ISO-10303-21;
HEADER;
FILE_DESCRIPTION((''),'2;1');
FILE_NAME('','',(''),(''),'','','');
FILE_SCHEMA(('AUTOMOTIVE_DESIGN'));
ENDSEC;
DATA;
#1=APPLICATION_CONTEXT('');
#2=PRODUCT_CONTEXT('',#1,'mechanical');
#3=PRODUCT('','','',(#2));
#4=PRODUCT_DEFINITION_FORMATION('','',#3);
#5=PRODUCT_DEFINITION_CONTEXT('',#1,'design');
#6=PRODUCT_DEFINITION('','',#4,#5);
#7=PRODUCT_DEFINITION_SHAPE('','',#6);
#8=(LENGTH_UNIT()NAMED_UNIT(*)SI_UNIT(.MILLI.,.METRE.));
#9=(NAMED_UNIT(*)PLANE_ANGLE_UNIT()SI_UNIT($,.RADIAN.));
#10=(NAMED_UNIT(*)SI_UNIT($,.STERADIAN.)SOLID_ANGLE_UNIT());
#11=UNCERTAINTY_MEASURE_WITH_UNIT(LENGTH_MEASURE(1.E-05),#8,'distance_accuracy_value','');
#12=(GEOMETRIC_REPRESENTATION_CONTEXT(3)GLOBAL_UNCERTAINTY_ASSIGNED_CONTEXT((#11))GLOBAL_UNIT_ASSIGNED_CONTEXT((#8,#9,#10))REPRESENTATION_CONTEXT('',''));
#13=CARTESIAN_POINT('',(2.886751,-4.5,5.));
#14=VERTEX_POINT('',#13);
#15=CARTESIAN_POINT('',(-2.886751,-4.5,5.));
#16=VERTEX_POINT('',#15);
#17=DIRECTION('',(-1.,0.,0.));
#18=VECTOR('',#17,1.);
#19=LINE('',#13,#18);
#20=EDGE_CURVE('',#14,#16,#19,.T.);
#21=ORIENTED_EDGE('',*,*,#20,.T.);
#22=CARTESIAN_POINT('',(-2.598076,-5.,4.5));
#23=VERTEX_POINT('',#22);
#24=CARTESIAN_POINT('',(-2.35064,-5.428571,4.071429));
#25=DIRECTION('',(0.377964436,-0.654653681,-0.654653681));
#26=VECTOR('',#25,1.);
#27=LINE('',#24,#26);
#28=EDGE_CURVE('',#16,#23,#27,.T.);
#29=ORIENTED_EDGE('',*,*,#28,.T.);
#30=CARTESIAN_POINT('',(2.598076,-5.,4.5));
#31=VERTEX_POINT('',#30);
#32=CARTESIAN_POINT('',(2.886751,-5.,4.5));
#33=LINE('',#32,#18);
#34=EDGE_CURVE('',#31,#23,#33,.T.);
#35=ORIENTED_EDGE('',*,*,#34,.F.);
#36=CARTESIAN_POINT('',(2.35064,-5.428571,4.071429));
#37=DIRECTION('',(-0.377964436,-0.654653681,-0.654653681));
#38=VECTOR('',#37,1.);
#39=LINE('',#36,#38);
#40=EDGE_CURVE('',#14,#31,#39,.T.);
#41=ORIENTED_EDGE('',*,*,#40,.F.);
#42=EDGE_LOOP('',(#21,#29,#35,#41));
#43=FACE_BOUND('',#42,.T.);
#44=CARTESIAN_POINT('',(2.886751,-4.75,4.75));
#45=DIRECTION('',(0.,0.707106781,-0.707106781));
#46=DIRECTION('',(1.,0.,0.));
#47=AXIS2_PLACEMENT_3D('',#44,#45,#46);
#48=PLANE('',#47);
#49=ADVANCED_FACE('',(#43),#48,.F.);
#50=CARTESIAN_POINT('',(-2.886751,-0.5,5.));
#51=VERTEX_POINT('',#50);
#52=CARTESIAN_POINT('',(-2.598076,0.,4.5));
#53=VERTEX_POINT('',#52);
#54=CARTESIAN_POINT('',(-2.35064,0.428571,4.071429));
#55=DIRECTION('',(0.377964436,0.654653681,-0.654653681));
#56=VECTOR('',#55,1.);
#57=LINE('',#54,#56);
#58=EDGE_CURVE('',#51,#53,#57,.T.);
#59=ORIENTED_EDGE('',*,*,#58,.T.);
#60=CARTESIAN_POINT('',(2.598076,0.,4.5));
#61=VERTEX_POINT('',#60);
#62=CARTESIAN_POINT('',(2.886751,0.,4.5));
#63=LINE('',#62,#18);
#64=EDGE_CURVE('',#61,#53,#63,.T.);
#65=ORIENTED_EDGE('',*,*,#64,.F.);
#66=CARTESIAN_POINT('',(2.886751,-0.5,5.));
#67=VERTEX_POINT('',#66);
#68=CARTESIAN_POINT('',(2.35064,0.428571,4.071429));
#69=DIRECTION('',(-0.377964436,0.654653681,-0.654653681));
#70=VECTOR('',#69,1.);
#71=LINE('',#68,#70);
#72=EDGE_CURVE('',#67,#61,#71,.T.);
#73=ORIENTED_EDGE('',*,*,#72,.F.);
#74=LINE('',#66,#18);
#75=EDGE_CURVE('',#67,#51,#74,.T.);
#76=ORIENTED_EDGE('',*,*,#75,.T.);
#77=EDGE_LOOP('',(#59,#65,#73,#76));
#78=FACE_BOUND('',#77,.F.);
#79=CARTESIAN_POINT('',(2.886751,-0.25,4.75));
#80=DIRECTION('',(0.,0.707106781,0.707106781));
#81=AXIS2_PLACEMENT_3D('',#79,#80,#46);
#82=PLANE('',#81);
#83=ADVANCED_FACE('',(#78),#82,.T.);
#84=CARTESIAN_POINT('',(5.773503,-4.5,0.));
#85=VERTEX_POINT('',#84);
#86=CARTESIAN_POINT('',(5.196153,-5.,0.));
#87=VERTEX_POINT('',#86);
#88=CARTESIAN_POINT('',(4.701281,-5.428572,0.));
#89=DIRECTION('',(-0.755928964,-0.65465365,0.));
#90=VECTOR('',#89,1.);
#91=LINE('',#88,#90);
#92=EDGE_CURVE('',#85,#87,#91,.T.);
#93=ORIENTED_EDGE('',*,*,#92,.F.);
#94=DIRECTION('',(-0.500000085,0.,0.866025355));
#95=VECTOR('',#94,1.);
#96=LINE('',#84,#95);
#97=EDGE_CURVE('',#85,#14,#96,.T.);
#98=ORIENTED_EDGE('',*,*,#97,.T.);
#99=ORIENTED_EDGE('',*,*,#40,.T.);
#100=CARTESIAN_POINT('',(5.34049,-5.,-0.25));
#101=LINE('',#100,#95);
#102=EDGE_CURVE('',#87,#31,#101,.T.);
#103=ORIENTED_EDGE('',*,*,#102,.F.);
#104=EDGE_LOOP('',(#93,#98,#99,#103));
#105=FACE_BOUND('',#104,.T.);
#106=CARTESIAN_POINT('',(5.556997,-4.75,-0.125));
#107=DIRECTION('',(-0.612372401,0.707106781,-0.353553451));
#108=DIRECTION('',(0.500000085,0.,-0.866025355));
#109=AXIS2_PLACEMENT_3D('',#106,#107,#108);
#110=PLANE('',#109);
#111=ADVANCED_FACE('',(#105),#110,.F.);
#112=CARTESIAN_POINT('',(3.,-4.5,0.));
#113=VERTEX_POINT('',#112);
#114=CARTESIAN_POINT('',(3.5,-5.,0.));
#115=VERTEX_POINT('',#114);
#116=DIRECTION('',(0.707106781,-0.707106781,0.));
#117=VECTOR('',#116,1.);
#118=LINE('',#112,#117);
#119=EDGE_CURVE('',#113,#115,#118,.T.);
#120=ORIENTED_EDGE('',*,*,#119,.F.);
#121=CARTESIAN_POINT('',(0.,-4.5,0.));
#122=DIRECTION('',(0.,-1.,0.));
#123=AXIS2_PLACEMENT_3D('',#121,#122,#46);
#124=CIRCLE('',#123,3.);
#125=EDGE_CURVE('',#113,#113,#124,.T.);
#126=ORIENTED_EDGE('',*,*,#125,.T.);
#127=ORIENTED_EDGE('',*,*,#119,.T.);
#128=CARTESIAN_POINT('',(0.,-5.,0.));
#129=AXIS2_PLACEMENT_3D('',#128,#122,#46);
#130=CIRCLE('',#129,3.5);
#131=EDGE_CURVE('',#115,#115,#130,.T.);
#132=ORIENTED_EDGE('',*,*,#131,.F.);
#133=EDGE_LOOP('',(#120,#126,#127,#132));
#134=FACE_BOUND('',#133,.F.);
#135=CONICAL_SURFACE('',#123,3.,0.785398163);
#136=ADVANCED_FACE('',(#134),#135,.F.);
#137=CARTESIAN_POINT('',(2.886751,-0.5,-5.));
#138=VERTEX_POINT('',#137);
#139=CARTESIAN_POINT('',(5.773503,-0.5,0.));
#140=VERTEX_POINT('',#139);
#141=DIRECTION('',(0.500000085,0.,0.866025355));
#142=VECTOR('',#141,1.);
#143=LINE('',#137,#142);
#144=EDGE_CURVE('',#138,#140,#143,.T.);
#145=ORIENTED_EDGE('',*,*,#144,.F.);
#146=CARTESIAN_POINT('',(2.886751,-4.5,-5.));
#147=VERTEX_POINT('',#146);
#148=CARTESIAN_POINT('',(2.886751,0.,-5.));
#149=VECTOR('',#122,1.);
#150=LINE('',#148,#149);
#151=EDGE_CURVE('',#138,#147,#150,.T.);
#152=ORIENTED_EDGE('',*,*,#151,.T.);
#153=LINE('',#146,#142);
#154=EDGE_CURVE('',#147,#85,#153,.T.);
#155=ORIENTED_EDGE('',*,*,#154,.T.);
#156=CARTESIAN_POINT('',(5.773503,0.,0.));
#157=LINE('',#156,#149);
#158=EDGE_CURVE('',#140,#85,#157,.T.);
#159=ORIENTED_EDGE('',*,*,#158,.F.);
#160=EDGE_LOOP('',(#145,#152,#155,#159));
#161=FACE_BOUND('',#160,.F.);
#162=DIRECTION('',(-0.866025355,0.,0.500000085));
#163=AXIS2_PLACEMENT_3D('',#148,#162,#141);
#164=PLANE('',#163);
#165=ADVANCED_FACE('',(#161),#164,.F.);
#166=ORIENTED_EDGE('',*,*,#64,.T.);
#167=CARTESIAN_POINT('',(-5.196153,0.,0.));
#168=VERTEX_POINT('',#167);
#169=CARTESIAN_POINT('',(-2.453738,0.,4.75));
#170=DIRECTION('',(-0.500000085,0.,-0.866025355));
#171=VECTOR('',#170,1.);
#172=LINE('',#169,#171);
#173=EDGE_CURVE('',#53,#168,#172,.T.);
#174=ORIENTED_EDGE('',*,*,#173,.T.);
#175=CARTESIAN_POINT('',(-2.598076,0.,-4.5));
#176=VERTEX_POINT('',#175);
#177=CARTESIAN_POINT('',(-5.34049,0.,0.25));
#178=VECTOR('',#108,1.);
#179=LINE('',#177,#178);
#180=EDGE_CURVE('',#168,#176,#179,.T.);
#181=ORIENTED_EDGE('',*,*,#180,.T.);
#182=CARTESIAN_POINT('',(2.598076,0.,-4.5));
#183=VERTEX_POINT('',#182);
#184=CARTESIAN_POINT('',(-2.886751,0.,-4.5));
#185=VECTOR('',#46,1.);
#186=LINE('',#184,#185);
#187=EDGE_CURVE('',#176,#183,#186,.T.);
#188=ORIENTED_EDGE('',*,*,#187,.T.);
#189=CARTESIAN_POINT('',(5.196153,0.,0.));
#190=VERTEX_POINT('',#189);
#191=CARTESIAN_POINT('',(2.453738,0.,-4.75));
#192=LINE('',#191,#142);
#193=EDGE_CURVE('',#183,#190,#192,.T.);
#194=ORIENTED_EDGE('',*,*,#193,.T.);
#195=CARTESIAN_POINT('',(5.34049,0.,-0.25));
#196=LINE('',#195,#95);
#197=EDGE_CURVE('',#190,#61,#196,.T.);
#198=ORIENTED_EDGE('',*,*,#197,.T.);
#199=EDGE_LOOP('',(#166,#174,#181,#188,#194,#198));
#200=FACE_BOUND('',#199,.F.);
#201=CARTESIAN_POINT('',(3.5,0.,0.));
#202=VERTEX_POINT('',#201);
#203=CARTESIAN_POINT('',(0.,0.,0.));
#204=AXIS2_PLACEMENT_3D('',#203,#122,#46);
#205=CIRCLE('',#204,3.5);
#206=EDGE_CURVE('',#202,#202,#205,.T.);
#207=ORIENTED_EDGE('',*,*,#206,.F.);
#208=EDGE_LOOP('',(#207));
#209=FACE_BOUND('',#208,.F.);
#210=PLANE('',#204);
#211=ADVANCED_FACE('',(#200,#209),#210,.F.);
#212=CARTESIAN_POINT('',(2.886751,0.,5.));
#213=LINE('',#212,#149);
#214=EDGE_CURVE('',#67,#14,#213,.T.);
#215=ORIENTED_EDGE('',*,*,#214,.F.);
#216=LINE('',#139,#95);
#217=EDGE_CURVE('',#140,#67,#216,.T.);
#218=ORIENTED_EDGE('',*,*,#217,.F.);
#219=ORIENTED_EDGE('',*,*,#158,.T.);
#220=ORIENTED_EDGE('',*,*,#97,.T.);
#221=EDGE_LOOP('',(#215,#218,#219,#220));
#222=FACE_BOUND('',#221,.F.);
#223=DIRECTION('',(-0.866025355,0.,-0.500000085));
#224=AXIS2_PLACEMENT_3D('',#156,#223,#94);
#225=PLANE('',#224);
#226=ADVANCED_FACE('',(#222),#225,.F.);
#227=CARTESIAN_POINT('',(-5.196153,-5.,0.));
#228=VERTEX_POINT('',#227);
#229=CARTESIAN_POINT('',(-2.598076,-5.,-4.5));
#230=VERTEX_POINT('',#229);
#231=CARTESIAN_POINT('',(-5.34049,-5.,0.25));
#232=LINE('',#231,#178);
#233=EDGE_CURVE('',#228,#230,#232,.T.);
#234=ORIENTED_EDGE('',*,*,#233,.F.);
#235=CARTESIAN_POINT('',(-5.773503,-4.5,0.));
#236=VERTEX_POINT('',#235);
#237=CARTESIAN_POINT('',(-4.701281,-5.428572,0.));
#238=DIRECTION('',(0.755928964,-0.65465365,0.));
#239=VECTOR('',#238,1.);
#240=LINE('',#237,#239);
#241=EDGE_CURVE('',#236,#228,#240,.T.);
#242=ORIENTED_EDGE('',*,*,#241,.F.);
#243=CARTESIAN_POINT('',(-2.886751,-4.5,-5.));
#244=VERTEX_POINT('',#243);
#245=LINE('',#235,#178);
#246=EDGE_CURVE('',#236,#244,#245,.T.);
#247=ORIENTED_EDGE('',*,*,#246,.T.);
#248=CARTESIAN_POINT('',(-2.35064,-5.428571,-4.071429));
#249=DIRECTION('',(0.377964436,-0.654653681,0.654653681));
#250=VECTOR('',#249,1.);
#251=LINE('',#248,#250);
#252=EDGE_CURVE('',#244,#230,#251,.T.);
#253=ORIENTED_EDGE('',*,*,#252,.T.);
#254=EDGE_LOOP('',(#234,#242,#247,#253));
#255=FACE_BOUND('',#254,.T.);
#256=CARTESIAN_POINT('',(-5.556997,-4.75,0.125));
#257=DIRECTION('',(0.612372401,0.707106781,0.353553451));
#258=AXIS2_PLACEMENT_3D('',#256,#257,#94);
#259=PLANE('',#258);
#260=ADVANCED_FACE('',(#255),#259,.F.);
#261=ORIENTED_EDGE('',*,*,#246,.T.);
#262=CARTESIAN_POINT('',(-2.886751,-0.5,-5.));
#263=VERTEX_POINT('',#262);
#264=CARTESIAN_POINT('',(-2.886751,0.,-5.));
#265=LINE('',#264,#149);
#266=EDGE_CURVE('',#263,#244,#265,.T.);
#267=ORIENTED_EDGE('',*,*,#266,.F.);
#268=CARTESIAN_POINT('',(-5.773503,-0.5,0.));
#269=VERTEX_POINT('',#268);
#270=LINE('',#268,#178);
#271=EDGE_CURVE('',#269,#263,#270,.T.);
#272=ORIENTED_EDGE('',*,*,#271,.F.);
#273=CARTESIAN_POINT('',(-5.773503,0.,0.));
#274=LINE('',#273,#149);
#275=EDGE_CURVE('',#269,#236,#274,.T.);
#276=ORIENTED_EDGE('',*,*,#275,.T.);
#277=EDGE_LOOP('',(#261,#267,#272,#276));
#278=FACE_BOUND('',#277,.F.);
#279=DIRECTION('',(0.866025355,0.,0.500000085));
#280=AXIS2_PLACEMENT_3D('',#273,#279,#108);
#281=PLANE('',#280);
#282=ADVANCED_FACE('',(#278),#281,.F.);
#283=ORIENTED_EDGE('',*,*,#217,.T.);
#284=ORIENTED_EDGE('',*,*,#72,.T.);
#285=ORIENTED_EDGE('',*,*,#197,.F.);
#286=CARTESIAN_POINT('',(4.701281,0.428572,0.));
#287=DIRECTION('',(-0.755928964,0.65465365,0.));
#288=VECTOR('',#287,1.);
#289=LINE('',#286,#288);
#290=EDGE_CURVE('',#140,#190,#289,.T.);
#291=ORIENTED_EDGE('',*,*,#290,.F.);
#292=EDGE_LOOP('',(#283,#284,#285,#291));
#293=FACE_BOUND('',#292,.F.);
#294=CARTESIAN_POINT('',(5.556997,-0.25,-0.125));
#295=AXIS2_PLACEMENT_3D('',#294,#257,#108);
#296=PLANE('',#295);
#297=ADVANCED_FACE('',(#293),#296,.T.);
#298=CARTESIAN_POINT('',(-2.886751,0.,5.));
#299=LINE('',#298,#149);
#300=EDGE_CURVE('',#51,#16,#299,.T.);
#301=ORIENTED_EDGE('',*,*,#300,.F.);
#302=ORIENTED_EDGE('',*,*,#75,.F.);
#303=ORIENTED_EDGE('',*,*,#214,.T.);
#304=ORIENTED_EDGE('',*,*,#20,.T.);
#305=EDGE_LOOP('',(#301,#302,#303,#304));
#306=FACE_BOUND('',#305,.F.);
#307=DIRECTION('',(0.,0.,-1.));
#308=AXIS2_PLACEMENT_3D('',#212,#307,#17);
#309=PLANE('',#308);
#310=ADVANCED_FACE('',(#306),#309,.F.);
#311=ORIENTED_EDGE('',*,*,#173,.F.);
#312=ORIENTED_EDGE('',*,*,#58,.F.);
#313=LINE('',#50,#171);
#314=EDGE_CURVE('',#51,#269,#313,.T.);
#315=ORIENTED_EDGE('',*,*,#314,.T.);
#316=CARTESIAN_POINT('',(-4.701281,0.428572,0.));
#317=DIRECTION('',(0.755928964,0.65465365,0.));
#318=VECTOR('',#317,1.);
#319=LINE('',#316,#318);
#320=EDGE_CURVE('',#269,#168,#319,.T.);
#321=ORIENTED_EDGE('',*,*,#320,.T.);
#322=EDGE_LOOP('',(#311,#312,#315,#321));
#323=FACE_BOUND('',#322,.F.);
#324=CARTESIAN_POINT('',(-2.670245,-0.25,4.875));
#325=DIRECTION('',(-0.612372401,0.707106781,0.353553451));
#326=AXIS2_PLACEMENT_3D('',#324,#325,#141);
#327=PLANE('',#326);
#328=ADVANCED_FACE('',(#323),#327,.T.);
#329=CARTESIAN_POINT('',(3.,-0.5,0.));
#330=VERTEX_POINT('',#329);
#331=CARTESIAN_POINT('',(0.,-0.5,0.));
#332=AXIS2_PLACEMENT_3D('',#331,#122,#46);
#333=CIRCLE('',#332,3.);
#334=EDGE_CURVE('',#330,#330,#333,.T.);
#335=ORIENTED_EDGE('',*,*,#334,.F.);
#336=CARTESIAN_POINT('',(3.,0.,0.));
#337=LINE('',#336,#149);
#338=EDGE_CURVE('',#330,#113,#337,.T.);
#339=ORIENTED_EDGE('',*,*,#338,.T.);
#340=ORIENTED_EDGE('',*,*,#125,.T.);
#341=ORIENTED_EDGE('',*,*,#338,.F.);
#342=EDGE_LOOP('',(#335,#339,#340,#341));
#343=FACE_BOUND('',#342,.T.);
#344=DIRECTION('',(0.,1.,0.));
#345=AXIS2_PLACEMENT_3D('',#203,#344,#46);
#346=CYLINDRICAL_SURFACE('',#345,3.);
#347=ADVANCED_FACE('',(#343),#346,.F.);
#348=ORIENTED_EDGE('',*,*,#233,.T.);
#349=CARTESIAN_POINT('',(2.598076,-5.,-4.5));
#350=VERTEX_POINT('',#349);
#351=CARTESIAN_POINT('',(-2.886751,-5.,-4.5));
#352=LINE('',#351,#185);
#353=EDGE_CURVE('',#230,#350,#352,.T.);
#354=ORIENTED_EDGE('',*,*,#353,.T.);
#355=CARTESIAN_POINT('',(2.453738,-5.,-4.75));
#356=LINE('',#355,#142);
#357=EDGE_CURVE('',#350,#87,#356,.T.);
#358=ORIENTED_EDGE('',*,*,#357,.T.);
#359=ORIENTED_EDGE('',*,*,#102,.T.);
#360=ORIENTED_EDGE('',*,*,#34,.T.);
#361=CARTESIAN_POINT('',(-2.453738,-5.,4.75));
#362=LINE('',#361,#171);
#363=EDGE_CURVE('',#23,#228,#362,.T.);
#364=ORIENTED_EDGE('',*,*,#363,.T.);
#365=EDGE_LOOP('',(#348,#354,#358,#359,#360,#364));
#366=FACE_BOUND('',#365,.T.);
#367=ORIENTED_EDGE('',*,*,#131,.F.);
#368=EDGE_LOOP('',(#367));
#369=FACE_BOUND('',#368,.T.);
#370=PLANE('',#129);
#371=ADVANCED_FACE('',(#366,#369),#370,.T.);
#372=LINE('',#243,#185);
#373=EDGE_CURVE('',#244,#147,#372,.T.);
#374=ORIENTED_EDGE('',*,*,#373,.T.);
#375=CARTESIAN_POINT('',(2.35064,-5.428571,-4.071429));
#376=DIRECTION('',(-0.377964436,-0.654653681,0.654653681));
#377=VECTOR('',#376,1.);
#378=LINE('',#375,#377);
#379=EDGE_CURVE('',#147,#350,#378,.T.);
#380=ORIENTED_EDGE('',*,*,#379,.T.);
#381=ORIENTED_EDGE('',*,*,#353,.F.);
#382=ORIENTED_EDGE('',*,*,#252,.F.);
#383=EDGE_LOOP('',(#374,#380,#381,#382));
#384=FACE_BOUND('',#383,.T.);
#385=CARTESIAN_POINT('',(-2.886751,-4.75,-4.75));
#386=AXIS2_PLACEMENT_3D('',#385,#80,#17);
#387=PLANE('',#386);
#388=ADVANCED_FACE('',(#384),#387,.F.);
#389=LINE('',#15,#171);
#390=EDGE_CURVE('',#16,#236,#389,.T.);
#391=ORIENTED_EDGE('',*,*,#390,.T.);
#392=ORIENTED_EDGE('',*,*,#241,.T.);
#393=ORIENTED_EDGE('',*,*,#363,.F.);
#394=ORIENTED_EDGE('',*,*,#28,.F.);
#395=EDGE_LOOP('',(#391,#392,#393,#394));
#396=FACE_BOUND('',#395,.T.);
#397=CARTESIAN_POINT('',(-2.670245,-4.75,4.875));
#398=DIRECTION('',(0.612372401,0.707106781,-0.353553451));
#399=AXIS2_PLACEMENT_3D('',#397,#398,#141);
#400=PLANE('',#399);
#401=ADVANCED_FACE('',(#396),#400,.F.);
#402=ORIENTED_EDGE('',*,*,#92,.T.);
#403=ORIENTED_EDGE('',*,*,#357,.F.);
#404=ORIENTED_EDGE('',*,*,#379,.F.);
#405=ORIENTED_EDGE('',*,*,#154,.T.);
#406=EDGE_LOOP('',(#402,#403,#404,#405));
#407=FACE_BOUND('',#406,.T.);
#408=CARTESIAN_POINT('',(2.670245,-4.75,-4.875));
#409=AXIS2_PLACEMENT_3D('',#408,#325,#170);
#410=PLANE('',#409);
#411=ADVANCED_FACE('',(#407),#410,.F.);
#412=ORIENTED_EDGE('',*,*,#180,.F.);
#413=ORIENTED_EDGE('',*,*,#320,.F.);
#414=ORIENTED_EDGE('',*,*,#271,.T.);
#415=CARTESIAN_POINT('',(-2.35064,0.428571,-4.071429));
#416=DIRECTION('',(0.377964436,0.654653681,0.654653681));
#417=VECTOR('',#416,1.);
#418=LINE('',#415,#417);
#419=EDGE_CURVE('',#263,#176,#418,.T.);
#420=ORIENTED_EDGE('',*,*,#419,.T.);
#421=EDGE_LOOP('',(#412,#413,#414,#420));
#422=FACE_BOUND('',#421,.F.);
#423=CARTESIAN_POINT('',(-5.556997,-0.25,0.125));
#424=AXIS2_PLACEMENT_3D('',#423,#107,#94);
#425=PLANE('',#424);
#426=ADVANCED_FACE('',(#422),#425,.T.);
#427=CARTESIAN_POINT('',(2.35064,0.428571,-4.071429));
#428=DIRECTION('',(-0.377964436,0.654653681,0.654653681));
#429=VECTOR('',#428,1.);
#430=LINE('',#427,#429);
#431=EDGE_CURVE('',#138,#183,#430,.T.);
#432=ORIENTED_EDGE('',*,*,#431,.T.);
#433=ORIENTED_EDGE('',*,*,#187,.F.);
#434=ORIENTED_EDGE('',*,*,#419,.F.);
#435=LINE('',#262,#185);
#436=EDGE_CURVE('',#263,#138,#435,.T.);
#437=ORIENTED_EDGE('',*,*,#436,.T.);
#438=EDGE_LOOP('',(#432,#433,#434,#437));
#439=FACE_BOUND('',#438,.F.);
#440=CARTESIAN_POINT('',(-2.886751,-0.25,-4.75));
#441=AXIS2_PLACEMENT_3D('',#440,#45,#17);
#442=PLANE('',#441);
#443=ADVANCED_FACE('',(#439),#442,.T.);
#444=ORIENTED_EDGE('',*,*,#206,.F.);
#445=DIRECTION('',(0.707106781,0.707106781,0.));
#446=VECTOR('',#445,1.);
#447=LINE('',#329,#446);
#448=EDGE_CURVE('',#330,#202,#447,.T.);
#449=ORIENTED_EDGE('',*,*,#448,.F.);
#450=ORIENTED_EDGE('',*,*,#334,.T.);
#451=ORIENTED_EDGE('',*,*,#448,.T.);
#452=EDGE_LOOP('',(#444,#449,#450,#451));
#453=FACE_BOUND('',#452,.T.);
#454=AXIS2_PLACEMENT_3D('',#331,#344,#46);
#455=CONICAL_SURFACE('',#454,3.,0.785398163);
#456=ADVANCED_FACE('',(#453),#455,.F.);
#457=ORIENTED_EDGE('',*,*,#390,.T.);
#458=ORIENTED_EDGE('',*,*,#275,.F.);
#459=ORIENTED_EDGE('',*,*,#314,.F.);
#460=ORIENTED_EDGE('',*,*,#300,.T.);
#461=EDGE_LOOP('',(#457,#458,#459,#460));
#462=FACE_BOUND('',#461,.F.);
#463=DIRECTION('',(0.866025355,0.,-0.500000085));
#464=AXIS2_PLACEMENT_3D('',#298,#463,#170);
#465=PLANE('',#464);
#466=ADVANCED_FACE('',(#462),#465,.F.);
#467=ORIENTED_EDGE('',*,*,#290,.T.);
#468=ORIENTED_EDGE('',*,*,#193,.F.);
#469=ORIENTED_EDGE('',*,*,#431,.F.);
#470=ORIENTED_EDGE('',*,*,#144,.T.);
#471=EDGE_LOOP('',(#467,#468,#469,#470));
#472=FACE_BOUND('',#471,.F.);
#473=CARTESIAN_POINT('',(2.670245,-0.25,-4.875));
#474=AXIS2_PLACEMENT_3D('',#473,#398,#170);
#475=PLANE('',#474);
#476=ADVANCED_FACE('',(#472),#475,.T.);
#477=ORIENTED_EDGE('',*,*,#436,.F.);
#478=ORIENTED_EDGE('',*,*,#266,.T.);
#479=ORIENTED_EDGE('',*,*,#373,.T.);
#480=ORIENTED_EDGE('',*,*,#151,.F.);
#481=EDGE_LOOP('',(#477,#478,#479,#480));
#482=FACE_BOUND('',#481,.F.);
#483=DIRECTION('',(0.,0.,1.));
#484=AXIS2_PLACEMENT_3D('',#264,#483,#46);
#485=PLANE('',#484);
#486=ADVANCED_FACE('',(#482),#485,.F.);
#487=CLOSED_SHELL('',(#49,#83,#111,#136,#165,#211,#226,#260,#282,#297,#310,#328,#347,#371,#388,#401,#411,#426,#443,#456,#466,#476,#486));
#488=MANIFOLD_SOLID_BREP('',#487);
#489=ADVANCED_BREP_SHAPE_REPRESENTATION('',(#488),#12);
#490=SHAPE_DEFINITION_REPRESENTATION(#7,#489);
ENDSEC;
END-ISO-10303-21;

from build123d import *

# Parameters (mm, degrees)
F0_R     = 3
F1_DEPTH = 5
F2_SIZE  = 0.5


with BuildPart() as f1:
    # F0 (on Front) → F1 (new body)
    with BuildSketch(Plane.XZ):
        Polygon((2.886751, 5), (-2.886751, 5), (-5.773503, 0), (-2.886751, -5), (2.886751, -5), (5.773503, 0), align=None)
        Circle(F0_R, mode=Mode.SUBTRACT)
    extrude(amount=F1_DEPTH)

    # F2
    f2_edges = [f1.edges().sort_by_distance(p)[0] for p in [
        (4.330127, -5, 2.5),
        (0, -5, 5),
        (-4.330127, -5, 2.5),
        (-4.330127, -5, -2.5),
        (0, -5, -5),
        (4.330127, -5, -2.5),
        (-3, -5, 0),
        (4.330127, 0, 2.5),
        (0, 0, 5),
        (-4.330127, 0, 2.5),
        (-4.330127, 0, -2.5),
        (0, 0, -5),
        (4.330127, 0, -2.5),
        (-3, 0, 0),
    ]]
    chamfer(f2_edges, length=F2_SIZE)


solid = f1.part
